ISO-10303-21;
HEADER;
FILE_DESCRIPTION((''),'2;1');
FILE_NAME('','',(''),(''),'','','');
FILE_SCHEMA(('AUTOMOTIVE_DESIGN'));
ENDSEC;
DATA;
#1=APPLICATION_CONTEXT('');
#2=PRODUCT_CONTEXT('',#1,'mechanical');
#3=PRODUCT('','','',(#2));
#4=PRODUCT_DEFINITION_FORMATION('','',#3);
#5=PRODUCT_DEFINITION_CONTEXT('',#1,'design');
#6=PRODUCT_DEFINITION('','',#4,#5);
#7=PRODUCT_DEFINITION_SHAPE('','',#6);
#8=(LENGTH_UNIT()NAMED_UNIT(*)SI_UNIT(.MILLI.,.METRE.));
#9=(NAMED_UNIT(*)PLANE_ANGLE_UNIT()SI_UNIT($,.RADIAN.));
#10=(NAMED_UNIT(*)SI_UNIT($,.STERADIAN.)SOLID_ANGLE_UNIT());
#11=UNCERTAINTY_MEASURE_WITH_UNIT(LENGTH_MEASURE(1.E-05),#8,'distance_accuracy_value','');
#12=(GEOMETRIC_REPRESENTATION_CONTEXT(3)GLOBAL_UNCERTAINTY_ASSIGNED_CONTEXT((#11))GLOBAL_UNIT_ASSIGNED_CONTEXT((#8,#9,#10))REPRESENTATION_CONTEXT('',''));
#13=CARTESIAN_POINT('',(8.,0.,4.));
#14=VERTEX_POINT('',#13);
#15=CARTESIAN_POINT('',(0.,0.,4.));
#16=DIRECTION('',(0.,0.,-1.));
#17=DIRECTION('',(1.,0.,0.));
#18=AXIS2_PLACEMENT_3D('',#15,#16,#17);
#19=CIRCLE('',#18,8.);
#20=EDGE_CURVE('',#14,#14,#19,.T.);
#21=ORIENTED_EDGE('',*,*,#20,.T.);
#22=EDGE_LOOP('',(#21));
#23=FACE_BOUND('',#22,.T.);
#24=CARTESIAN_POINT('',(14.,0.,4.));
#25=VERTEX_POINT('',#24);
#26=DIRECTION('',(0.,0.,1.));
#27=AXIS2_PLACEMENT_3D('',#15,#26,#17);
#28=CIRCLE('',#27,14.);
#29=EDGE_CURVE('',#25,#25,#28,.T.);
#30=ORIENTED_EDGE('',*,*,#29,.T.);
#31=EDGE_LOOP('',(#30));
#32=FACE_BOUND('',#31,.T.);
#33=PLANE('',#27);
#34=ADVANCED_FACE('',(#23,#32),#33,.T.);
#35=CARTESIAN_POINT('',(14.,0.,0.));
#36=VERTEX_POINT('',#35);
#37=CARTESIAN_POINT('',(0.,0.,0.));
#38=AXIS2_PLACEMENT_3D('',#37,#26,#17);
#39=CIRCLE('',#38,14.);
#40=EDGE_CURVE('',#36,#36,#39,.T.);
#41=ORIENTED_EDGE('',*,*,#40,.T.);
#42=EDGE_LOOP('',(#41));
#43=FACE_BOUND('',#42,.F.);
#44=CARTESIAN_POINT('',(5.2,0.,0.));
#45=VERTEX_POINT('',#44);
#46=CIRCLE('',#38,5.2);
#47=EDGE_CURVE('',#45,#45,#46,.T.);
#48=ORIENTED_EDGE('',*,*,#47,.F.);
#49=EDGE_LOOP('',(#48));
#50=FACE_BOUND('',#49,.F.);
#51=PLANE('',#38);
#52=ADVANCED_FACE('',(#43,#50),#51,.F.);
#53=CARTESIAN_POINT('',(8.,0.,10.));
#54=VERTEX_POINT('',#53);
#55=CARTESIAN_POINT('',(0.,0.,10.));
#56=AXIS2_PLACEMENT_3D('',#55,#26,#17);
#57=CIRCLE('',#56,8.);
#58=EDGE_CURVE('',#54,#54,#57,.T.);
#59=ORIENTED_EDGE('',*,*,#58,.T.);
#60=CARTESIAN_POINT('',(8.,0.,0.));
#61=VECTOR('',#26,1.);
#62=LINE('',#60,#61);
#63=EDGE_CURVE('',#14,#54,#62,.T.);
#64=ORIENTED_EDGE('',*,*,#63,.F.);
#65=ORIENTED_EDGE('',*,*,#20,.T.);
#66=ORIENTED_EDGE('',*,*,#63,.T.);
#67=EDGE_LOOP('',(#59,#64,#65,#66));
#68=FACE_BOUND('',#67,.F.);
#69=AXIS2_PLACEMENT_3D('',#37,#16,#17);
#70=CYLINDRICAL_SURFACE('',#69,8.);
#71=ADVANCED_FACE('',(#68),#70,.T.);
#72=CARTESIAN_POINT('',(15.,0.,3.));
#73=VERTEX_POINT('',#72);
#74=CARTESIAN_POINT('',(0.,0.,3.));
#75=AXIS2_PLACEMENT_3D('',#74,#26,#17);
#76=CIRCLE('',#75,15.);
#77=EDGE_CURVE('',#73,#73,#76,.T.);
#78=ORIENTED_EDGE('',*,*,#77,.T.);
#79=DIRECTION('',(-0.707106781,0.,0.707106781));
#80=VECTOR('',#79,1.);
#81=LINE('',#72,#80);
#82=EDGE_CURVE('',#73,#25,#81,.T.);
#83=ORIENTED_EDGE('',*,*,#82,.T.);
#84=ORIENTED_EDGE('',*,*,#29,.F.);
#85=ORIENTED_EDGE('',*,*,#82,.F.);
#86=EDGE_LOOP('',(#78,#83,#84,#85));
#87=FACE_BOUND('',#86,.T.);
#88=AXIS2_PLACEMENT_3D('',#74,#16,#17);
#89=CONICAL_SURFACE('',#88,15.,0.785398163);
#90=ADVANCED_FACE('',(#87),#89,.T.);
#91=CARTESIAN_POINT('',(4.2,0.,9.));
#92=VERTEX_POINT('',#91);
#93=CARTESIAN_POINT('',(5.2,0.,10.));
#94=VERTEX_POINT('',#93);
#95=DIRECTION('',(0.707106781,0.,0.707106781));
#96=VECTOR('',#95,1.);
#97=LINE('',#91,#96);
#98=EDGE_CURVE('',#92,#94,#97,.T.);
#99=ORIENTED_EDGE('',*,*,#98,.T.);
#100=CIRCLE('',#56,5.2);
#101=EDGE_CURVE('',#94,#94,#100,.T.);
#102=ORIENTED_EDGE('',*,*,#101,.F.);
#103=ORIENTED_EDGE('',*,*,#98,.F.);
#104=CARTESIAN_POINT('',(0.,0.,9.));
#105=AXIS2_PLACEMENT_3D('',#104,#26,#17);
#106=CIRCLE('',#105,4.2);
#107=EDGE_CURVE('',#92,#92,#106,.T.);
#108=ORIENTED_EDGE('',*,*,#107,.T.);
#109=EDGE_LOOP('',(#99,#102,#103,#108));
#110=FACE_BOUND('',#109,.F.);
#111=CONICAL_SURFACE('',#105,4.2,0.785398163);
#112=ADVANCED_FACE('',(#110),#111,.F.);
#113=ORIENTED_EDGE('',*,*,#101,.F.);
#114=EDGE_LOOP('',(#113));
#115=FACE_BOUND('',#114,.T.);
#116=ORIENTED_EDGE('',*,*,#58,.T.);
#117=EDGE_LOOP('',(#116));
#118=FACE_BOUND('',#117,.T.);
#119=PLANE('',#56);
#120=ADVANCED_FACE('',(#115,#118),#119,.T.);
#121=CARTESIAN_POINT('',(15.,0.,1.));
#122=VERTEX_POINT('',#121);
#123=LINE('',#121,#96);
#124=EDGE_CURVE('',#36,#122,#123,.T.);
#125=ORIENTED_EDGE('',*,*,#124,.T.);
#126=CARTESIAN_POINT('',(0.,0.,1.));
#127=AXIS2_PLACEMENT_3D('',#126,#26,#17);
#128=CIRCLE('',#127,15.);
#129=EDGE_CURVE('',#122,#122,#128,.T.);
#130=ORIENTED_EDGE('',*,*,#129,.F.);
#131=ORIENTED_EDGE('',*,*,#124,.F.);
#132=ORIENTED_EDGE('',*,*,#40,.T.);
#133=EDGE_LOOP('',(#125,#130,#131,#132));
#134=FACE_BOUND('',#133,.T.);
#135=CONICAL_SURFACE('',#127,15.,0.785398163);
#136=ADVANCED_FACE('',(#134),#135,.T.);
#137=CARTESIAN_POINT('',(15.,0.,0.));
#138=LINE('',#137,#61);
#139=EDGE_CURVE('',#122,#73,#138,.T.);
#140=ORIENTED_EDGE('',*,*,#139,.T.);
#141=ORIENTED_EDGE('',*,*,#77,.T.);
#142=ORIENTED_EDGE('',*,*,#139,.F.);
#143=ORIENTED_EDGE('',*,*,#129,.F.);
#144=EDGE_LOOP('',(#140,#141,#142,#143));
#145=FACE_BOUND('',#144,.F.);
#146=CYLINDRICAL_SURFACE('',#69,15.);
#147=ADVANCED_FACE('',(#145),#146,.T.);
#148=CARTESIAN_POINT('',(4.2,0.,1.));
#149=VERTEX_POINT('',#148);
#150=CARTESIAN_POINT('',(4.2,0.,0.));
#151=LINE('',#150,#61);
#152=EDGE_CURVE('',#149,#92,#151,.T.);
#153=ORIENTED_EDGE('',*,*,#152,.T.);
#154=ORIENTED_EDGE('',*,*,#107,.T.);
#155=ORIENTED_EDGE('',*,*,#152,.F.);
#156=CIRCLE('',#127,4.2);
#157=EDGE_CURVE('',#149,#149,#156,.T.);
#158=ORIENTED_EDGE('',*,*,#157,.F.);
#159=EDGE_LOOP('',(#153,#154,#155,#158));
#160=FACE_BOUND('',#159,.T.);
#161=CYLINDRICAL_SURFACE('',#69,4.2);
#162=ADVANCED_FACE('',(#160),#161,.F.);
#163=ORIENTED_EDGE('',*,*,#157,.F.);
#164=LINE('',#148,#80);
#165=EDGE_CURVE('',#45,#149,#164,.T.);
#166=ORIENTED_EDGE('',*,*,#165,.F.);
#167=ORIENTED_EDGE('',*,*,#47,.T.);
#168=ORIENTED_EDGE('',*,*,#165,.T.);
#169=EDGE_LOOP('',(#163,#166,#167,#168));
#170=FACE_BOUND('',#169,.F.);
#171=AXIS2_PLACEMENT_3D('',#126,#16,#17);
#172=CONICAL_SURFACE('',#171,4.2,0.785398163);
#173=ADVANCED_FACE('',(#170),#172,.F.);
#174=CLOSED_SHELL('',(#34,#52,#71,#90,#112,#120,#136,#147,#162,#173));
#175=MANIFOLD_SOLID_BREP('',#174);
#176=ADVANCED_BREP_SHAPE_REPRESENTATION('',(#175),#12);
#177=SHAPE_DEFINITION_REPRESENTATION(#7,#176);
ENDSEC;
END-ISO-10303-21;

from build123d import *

# Parameters (mm, degrees)
CYLINDER_R        = 15
CYLINDER_DEPTH    = 4
CYLINDER002_R     = 8
CYLINDER002_DEPTH = 10
CYLINDER003_R     = 4.2
CYLINDER003_DEPTH = 10
CHAMFER_SIZE      = 1
CHAMFER001_SIZE   = 1


with BuildPart() as part:
    # Cylinder → Cylinder (join)
    with BuildSketch(Plane.XY):
        Circle(CYLINDER_R)
    extrude(amount=CYLINDER_DEPTH)

    # Cylinder002 → Cylinder002 (join)
    with BuildSketch(Plane.XY):
        Circle(CYLINDER002_R)
    extrude(amount=CYLINDER002_DEPTH)

    # Cylinder003 → Cylinder003 (cut)
    with BuildSketch(Plane.XY):
        Circle(CYLINDER003_R)
    extrude(amount=CYLINDER003_DEPTH, mode=Mode.SUBTRACT)

    # Chamfer
    chamfer_edges = [part.edges().sort_by_distance(p)[0] for p in [
        (-15, 0, 4),
        (15, 0, 2),
        (-15, 0, 0),
    ]]
    chamfer(chamfer_edges, length=CHAMFER_SIZE)

    # Chamfer001
    chamfer001_edges = [part.edges().sort_by_distance(p)[0] for p in [
        (-4.2, 0, 10),
        (4.2, 0, 5),
        (-4.2, 0, 0),
    ]]
    chamfer(chamfer001_edges, length=CHAMFER001_SIZE)


solid = part.part
